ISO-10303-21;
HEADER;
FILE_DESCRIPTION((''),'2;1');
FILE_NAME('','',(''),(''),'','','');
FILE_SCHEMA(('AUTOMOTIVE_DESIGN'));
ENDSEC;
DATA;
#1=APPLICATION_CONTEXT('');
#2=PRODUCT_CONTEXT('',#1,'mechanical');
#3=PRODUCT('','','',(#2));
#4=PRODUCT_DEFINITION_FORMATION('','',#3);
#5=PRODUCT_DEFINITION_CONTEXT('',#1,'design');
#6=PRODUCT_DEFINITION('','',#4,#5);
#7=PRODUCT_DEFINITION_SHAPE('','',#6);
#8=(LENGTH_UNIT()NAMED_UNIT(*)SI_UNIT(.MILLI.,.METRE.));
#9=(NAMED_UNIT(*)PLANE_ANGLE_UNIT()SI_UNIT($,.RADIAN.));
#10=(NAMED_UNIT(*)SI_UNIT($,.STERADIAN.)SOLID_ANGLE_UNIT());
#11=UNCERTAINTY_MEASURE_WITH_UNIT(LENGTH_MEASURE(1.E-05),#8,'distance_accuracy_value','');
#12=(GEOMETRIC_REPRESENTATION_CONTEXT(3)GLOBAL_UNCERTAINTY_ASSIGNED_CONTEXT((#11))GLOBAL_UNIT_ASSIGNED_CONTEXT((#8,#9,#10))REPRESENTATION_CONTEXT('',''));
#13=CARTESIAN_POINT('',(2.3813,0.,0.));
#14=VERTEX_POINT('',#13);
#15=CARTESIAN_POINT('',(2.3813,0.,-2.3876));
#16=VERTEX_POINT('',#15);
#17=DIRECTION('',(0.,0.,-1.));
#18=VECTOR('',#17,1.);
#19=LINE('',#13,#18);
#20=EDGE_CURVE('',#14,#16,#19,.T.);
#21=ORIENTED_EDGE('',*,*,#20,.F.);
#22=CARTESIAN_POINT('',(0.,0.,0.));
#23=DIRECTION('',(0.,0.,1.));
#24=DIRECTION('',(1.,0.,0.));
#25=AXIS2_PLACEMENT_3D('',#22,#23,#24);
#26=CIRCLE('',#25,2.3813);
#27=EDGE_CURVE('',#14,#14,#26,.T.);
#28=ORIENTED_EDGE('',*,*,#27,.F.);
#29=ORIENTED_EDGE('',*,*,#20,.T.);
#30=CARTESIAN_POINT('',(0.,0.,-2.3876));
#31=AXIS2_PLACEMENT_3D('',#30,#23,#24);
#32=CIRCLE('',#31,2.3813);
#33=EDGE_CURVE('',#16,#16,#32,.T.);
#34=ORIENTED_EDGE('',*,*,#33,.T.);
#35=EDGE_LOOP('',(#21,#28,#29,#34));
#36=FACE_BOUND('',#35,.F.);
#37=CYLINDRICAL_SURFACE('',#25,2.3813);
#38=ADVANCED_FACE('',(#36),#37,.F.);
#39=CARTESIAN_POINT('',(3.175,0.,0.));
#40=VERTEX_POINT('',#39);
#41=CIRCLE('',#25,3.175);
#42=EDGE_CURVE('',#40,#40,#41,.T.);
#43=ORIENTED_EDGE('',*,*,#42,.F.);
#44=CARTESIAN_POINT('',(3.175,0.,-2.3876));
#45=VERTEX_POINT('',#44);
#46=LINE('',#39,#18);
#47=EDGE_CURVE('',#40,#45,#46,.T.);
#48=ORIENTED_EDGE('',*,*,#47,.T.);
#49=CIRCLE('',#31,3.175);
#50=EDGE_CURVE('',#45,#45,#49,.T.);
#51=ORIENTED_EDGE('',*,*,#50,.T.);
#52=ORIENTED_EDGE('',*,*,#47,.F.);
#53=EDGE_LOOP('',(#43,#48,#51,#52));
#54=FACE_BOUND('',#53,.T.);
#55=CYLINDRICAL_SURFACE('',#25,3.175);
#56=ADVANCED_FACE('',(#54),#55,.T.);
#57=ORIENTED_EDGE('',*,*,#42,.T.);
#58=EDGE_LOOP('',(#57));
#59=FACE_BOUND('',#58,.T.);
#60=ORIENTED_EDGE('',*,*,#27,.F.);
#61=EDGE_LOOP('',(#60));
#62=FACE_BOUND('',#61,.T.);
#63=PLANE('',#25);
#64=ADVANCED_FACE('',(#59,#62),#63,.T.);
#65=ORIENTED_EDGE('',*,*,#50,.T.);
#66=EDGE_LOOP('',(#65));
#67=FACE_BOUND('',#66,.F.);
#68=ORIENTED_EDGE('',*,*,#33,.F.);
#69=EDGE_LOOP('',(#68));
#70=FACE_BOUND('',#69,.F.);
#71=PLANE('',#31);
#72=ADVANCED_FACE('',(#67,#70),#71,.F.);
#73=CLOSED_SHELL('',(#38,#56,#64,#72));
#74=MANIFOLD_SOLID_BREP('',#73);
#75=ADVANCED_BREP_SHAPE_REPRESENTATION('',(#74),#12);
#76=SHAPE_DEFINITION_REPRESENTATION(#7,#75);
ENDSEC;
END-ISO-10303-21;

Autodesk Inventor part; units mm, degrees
ref_plane "YZ Plane" through (0, 0, 0) normal (1, 0, 0) x (0, 1, 0)
ref_plane "XZ Plane" through (0, 0, 0) normal (0, 1, 0) x (-1, 0, 0)
ref_plane "XY Plane" through (0, 0, 0) normal (0, 0, 1) x (1, 0, 0)
sketch "Sketch1" plane through (0, 0, 0) normal (0, 0, 1) x (1, 0, 0)
  circle A0 centre (0, 0) radius 3.175
  dimension "d0" = 6.35
extrude "Extrusion1" add sketch "Sketch1" against normal blind 2.3876
sketch "Sketch2" plane through (0, 0, 0) normal (0, 0, 1) x (1, 0, 0)
  circle A0 centre (0, 0) radius 3.175 projected
  circle A1 centre (0, 0) radius 2.3813
  dimension "d3" = 4.7625
extrude "Extrusion2" cut sketch "Sketch2" against normal blind 3.175 contours A1
properties part number "Pivot Rod Washer"
